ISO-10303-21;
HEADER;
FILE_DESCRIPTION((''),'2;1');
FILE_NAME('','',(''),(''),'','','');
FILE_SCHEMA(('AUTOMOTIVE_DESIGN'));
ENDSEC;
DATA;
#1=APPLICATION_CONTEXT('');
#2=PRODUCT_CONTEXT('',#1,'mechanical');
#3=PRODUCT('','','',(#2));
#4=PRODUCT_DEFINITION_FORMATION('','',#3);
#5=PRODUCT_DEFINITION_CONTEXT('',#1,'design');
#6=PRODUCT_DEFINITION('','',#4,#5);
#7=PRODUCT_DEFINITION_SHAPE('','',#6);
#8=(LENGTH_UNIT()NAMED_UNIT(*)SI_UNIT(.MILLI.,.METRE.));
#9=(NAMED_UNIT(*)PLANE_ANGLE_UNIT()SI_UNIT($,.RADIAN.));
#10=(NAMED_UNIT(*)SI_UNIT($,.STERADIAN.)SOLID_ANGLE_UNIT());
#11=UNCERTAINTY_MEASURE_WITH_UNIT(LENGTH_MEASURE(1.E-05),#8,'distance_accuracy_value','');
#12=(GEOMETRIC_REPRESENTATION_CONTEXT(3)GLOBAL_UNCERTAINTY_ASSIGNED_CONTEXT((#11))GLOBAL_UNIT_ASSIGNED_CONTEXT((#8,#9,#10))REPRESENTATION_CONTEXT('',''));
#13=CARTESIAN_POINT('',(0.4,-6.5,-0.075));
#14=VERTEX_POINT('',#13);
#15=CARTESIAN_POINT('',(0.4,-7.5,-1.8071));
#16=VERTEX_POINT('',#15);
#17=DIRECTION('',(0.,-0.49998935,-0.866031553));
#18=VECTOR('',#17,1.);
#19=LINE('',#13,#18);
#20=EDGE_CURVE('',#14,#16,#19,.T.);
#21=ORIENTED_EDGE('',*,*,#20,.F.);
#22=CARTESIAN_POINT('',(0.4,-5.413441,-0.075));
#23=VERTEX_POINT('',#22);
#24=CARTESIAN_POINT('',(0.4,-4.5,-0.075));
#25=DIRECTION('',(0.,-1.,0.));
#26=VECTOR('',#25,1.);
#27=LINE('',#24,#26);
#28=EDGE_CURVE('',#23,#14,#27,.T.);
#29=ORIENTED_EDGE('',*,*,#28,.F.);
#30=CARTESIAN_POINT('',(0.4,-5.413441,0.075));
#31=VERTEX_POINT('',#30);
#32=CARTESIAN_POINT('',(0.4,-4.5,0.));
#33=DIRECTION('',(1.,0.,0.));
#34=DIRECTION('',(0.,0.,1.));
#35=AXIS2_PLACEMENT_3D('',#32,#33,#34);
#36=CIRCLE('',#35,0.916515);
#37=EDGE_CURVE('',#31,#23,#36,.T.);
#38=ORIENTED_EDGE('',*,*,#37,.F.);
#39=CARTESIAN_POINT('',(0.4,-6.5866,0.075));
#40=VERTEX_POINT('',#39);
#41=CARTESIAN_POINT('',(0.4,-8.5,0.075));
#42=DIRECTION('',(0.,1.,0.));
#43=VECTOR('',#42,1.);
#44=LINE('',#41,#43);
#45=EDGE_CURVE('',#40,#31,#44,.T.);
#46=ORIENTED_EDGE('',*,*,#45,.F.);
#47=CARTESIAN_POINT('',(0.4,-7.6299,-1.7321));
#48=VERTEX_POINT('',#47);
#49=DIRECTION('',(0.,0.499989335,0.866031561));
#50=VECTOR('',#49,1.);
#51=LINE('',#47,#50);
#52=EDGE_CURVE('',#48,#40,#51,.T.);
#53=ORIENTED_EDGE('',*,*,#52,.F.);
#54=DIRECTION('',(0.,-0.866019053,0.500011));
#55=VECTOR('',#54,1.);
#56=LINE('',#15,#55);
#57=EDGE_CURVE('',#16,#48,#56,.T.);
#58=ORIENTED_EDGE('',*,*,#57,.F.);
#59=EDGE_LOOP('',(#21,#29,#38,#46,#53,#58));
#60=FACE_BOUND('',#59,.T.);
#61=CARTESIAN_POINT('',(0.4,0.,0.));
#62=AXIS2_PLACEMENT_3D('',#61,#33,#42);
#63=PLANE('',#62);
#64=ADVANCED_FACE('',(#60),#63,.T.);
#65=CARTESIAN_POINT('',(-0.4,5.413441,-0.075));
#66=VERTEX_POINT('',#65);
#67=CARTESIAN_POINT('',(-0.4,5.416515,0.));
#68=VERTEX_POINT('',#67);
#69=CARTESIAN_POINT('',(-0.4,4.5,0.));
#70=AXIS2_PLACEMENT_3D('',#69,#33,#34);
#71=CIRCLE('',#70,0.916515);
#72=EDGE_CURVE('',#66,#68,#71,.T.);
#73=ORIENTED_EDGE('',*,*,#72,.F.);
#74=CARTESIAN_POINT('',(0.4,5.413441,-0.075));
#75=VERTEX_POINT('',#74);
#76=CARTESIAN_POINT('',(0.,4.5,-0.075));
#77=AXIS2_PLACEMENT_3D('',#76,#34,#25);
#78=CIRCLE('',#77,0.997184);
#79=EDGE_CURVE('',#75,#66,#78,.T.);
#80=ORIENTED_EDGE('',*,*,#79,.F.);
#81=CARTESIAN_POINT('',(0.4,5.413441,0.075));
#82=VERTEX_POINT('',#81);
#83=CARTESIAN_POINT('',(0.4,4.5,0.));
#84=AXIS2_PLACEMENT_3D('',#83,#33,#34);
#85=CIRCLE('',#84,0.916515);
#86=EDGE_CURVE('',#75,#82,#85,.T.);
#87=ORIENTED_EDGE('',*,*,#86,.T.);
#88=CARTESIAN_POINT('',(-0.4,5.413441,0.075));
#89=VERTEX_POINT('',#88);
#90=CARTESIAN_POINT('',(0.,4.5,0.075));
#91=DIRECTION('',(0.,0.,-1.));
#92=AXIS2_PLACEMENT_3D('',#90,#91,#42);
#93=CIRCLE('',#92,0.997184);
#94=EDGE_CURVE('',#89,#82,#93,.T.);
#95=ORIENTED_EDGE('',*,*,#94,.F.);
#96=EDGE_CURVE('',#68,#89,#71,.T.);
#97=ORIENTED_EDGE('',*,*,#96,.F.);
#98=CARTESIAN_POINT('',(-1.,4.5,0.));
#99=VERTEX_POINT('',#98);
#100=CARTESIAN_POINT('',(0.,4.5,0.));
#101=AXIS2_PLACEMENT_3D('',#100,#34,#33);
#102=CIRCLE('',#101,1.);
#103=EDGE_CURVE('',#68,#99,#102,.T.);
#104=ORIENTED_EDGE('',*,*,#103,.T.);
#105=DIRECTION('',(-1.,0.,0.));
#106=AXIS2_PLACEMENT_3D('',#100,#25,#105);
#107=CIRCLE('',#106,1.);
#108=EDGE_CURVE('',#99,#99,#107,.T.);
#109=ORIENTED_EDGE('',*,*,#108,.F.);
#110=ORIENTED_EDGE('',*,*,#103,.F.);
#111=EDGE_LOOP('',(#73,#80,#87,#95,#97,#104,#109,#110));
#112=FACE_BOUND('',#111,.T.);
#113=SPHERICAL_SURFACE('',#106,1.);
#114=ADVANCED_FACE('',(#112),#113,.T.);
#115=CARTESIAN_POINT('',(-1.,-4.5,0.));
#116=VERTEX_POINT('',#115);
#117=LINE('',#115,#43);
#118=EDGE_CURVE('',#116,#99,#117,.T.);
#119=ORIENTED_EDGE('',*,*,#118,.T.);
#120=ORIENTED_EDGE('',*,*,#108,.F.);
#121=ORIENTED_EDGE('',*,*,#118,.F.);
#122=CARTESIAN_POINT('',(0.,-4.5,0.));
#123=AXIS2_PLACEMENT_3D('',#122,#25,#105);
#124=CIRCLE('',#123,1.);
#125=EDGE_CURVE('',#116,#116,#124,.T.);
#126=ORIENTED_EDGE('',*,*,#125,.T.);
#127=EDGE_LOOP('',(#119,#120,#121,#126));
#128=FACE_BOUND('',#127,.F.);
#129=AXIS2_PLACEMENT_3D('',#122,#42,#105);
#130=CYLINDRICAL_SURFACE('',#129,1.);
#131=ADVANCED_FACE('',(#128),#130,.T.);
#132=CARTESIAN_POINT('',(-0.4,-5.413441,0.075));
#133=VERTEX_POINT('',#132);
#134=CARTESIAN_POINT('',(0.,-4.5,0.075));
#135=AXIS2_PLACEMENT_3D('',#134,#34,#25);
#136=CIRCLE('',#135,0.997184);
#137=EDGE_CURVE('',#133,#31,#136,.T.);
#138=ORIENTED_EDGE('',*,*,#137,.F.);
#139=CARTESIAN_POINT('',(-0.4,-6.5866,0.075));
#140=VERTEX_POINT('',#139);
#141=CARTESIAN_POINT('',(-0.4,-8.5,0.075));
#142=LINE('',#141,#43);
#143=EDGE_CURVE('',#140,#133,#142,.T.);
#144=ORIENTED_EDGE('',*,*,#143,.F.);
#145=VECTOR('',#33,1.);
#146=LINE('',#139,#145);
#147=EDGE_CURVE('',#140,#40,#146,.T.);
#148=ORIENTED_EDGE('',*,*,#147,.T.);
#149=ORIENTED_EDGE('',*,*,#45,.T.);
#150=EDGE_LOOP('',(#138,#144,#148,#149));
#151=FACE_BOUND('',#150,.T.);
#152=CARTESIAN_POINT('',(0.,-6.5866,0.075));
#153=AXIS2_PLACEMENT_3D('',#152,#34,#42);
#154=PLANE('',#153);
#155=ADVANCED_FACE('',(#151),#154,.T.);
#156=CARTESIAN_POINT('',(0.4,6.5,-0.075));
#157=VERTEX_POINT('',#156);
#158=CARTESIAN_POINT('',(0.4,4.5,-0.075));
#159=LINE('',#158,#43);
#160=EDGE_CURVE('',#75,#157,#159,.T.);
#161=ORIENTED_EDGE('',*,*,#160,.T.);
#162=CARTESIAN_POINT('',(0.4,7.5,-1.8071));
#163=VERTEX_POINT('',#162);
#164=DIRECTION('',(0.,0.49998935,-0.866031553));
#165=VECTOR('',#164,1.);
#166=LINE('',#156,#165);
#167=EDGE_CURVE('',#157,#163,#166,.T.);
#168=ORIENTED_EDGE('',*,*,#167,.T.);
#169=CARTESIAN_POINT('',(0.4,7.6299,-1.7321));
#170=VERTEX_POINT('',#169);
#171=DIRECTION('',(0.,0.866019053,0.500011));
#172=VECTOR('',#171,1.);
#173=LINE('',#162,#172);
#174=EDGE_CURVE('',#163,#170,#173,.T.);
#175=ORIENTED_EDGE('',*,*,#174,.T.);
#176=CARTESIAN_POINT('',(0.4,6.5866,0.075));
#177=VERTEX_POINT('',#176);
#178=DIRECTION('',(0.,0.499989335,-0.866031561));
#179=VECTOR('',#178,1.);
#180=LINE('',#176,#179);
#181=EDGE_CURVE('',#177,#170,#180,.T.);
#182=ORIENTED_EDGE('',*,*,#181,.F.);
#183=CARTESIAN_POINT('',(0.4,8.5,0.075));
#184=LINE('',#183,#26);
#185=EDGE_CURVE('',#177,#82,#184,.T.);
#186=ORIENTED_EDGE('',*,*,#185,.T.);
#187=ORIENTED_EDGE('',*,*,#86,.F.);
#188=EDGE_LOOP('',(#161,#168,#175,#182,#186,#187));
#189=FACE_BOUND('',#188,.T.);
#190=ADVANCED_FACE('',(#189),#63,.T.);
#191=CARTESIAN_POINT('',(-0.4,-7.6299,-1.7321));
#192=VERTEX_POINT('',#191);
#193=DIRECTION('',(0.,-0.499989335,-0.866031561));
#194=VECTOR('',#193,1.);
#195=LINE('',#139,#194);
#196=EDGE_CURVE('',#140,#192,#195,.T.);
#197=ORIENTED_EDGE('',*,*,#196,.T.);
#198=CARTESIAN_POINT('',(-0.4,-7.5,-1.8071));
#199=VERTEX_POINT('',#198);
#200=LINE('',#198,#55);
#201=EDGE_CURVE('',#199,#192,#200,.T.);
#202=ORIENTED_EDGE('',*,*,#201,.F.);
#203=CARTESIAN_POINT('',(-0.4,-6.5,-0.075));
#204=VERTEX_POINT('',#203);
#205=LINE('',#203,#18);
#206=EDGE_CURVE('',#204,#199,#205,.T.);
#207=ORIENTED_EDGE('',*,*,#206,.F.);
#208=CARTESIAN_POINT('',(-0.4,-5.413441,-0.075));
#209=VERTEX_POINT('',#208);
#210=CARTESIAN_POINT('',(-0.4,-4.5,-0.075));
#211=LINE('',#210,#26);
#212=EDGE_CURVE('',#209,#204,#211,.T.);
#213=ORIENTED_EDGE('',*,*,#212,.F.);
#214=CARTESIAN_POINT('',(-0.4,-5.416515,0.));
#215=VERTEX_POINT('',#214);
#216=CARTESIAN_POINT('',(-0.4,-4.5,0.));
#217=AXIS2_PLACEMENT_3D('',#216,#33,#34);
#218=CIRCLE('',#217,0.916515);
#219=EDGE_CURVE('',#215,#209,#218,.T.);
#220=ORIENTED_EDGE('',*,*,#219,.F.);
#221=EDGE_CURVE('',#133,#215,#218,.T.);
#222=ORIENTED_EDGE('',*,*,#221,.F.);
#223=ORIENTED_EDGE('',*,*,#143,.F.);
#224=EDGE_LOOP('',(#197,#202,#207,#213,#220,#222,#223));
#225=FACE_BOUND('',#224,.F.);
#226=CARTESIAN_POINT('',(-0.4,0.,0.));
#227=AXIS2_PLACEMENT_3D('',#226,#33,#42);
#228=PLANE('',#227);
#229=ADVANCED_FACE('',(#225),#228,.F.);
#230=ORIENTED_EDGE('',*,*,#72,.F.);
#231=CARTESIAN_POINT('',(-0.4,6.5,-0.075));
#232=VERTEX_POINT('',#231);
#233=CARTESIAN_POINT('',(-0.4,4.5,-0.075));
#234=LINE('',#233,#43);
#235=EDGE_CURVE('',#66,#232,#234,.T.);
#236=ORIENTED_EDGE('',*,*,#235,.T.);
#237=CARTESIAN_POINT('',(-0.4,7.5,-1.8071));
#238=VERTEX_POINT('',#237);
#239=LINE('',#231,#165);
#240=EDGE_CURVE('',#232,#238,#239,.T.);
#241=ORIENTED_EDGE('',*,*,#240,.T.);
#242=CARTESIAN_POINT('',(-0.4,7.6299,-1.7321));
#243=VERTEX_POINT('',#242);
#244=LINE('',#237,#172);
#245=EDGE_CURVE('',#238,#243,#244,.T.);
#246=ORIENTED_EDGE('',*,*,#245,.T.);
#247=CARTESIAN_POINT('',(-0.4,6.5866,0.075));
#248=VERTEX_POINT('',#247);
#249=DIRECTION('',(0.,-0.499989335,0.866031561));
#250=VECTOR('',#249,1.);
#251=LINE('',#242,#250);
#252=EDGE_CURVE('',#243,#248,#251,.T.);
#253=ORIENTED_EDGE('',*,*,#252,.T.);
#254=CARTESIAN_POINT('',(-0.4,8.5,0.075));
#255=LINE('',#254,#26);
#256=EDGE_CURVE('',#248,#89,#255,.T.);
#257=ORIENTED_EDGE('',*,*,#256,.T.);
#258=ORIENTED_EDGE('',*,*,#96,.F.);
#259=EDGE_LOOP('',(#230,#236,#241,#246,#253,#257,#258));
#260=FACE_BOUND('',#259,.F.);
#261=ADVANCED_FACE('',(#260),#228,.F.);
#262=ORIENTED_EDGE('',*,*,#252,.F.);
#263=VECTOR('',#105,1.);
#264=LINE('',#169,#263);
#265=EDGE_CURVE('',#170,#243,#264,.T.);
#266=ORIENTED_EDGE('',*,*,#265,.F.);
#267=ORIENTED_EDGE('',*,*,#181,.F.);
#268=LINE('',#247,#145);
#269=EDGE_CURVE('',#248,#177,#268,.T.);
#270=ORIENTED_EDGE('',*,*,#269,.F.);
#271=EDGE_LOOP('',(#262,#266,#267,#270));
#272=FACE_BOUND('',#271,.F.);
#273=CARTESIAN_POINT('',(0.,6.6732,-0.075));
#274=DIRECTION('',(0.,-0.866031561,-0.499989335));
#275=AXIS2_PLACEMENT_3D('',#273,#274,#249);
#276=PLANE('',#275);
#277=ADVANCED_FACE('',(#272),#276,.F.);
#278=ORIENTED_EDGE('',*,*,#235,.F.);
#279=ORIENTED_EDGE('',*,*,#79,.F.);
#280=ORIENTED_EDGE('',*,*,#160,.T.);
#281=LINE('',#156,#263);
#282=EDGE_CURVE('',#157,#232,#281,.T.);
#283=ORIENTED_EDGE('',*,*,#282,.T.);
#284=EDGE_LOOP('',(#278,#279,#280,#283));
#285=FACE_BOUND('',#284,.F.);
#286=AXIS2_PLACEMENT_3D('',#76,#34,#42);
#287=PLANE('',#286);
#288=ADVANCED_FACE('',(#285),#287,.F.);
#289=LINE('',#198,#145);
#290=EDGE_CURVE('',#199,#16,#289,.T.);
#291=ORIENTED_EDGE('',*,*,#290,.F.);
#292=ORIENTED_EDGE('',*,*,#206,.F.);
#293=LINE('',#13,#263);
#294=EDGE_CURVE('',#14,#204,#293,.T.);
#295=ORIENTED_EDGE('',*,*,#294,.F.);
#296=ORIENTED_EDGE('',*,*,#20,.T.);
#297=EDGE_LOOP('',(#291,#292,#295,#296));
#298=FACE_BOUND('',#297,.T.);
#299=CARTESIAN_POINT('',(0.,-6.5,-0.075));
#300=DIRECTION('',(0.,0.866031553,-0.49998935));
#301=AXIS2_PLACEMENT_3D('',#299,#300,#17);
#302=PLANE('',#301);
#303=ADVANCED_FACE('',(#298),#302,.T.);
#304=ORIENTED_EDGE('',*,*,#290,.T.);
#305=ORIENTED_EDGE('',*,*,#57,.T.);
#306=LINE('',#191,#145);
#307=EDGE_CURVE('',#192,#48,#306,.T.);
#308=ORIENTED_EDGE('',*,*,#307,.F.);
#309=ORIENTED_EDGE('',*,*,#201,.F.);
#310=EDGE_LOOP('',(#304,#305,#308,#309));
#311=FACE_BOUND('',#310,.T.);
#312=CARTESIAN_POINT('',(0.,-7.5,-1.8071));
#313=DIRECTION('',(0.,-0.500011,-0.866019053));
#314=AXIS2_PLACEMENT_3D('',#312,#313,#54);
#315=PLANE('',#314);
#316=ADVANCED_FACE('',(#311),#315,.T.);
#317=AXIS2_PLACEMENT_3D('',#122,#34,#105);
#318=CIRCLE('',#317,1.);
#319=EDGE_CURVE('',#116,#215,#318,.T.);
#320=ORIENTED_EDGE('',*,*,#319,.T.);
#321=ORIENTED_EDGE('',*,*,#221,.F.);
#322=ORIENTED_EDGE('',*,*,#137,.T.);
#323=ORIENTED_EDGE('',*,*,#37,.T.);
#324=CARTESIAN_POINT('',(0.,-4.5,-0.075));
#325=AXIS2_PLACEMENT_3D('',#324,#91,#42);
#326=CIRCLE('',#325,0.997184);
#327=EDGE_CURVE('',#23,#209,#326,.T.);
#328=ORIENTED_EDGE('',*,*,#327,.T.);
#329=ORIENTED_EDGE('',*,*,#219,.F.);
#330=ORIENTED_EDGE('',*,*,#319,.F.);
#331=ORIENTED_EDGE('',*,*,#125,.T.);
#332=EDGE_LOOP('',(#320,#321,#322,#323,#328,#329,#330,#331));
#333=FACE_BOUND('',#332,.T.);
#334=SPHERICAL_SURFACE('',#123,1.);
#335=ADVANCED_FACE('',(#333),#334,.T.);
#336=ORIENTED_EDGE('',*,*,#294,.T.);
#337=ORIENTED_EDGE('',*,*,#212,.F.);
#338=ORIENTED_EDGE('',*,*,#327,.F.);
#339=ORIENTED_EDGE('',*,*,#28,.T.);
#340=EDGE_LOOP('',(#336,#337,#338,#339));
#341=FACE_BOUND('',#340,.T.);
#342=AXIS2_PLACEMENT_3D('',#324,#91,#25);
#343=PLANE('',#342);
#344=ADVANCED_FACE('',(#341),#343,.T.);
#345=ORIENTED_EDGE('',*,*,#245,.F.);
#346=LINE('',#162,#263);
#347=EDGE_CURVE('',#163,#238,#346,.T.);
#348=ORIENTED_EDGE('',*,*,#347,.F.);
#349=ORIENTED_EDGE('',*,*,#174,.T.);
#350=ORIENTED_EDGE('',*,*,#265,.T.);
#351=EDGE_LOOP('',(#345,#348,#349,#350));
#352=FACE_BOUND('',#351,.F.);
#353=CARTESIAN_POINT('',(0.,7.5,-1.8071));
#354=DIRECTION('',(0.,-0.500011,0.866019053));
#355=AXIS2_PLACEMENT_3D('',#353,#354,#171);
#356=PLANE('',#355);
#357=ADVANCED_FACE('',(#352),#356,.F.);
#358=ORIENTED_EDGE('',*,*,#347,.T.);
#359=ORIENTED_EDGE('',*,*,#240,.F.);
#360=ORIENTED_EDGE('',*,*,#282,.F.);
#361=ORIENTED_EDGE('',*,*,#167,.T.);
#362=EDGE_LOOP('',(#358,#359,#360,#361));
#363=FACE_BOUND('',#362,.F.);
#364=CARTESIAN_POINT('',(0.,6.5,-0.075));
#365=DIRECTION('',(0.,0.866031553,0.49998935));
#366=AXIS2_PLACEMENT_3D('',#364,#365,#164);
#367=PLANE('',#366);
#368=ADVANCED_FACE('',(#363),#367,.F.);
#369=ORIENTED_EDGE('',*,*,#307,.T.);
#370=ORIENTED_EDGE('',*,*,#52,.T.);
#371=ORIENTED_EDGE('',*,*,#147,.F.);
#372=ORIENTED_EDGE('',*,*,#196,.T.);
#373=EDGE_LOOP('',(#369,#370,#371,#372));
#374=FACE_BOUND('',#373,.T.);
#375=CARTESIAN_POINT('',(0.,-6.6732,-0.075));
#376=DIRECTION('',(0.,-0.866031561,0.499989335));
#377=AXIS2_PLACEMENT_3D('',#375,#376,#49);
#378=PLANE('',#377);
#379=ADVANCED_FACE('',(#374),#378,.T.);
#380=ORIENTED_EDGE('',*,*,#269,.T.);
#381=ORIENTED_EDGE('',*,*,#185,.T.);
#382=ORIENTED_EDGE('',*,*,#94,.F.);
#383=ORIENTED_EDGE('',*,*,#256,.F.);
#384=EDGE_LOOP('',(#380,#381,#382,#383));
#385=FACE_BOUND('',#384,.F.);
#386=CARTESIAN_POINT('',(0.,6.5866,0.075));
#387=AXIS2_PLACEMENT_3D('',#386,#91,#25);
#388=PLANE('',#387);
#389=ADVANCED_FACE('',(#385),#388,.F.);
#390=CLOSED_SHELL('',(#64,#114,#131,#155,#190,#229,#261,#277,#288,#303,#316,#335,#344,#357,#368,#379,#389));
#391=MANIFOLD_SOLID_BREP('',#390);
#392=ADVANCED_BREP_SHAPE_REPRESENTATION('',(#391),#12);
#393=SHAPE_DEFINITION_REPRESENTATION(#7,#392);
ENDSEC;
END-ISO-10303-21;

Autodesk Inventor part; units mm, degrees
ref_plane "YZ Plane" through (0, 0, 0) normal (1, 0, 0) x (0, 1, 0)
ref_plane "XZ Plane" through (0, 0, 0) normal (0, 1, 0) x (-1, 0, 0)
ref_plane "XY Plane" through (0, 0, 0) normal (0, 0, 1) x (1, 0, 0)
sketch "Sketch1" plane through (0, 0, 0) normal (0, 0, 1) x (1, 0, 0)
  line L0 (1, 4.5) -> (1, -4.5)
  line L1 (-1, -4.5) -> (-1, 4.5)
  arc A0 (1, 4.5) -> (-1, 4.5) centre (0, 4.5) ccw
  arc A1 (-1, -4.5) -> (1, -4.5) centre (0, -4.5) ccw
  line L2 (0, 5.5) -> (0, -5.5)
  point P0 (0, 0)
  point P1 (0, 0)
  dimension "d0" = 2
  dimension "d1" = 9
revolve "Revolution1" add sketch "Sketch1" angle 360 about axis through (0, 5.5, 0) along (0, -1, 0) contours L2 A1 L1 A0
sketch "Sketch3" plane through (0, 0, 0) normal (1, 0, 0) x (0, 1, 0)
  line L0 (8.5, 0.075) -> (4.5, 0.075)
  line L1 (4.5, 0.075) -> (4.5, -0.075)
  line L2 (4.5, -0.075) -> (8.5, -0.075)
  line L3 (8.5, -0.075) -> (8.5, 0.075)
  line L4 (0, 1.5086) -> (0, -1.8047) construction
  line L5 (6.5, -0.075) -> (7.5, -1.8071)
  line L6 (6.5, -0.075) -> (8.5, -0.075) construction
  line L7 (7.5, -1.8071) -> (7.6299, -1.7321)
  line L8 (7.6299, -1.7321) -> (6.5866, 0.075)
  line L9 (-8.5, 0.075) -> (-4.5, 0.075)
  line L10 (-4.5, 0.075) -> (-4.5, -0.075)
  line L11 (-4.5, -0.075) -> (-8.5, -0.075)
  line L12 (-8.5, -0.075) -> (-8.5, 0.075)
  line L13 (-6.5, -0.075) -> (-7.5, -1.8071)
  line L14 (-6.5, -0.075) -> (-8.5, -0.075) construction
  line L15 (-7.5, -1.8071) -> (-7.6299, -1.7321)
  line L16 (-7.6299, -1.7321) -> (-6.5866, 0.075)
  point P0 (0, 0)
  dimension "d7" = 4
  dimension "d8" = 0.15
  dimension "d11" = 2
  dimension "d12" = 60
  dimension "d13" = 0.15
  dimension "d14" = 4.5
extrude "Extrusion2" add sketch "Sketch3" along normal mid plane 0.8 contours L8 L2 L1 L0 | L8 L7 L5 L2 | L9 L10 L11 L16 | L11 L13 L15 L16
properties part number "LED Filament"
